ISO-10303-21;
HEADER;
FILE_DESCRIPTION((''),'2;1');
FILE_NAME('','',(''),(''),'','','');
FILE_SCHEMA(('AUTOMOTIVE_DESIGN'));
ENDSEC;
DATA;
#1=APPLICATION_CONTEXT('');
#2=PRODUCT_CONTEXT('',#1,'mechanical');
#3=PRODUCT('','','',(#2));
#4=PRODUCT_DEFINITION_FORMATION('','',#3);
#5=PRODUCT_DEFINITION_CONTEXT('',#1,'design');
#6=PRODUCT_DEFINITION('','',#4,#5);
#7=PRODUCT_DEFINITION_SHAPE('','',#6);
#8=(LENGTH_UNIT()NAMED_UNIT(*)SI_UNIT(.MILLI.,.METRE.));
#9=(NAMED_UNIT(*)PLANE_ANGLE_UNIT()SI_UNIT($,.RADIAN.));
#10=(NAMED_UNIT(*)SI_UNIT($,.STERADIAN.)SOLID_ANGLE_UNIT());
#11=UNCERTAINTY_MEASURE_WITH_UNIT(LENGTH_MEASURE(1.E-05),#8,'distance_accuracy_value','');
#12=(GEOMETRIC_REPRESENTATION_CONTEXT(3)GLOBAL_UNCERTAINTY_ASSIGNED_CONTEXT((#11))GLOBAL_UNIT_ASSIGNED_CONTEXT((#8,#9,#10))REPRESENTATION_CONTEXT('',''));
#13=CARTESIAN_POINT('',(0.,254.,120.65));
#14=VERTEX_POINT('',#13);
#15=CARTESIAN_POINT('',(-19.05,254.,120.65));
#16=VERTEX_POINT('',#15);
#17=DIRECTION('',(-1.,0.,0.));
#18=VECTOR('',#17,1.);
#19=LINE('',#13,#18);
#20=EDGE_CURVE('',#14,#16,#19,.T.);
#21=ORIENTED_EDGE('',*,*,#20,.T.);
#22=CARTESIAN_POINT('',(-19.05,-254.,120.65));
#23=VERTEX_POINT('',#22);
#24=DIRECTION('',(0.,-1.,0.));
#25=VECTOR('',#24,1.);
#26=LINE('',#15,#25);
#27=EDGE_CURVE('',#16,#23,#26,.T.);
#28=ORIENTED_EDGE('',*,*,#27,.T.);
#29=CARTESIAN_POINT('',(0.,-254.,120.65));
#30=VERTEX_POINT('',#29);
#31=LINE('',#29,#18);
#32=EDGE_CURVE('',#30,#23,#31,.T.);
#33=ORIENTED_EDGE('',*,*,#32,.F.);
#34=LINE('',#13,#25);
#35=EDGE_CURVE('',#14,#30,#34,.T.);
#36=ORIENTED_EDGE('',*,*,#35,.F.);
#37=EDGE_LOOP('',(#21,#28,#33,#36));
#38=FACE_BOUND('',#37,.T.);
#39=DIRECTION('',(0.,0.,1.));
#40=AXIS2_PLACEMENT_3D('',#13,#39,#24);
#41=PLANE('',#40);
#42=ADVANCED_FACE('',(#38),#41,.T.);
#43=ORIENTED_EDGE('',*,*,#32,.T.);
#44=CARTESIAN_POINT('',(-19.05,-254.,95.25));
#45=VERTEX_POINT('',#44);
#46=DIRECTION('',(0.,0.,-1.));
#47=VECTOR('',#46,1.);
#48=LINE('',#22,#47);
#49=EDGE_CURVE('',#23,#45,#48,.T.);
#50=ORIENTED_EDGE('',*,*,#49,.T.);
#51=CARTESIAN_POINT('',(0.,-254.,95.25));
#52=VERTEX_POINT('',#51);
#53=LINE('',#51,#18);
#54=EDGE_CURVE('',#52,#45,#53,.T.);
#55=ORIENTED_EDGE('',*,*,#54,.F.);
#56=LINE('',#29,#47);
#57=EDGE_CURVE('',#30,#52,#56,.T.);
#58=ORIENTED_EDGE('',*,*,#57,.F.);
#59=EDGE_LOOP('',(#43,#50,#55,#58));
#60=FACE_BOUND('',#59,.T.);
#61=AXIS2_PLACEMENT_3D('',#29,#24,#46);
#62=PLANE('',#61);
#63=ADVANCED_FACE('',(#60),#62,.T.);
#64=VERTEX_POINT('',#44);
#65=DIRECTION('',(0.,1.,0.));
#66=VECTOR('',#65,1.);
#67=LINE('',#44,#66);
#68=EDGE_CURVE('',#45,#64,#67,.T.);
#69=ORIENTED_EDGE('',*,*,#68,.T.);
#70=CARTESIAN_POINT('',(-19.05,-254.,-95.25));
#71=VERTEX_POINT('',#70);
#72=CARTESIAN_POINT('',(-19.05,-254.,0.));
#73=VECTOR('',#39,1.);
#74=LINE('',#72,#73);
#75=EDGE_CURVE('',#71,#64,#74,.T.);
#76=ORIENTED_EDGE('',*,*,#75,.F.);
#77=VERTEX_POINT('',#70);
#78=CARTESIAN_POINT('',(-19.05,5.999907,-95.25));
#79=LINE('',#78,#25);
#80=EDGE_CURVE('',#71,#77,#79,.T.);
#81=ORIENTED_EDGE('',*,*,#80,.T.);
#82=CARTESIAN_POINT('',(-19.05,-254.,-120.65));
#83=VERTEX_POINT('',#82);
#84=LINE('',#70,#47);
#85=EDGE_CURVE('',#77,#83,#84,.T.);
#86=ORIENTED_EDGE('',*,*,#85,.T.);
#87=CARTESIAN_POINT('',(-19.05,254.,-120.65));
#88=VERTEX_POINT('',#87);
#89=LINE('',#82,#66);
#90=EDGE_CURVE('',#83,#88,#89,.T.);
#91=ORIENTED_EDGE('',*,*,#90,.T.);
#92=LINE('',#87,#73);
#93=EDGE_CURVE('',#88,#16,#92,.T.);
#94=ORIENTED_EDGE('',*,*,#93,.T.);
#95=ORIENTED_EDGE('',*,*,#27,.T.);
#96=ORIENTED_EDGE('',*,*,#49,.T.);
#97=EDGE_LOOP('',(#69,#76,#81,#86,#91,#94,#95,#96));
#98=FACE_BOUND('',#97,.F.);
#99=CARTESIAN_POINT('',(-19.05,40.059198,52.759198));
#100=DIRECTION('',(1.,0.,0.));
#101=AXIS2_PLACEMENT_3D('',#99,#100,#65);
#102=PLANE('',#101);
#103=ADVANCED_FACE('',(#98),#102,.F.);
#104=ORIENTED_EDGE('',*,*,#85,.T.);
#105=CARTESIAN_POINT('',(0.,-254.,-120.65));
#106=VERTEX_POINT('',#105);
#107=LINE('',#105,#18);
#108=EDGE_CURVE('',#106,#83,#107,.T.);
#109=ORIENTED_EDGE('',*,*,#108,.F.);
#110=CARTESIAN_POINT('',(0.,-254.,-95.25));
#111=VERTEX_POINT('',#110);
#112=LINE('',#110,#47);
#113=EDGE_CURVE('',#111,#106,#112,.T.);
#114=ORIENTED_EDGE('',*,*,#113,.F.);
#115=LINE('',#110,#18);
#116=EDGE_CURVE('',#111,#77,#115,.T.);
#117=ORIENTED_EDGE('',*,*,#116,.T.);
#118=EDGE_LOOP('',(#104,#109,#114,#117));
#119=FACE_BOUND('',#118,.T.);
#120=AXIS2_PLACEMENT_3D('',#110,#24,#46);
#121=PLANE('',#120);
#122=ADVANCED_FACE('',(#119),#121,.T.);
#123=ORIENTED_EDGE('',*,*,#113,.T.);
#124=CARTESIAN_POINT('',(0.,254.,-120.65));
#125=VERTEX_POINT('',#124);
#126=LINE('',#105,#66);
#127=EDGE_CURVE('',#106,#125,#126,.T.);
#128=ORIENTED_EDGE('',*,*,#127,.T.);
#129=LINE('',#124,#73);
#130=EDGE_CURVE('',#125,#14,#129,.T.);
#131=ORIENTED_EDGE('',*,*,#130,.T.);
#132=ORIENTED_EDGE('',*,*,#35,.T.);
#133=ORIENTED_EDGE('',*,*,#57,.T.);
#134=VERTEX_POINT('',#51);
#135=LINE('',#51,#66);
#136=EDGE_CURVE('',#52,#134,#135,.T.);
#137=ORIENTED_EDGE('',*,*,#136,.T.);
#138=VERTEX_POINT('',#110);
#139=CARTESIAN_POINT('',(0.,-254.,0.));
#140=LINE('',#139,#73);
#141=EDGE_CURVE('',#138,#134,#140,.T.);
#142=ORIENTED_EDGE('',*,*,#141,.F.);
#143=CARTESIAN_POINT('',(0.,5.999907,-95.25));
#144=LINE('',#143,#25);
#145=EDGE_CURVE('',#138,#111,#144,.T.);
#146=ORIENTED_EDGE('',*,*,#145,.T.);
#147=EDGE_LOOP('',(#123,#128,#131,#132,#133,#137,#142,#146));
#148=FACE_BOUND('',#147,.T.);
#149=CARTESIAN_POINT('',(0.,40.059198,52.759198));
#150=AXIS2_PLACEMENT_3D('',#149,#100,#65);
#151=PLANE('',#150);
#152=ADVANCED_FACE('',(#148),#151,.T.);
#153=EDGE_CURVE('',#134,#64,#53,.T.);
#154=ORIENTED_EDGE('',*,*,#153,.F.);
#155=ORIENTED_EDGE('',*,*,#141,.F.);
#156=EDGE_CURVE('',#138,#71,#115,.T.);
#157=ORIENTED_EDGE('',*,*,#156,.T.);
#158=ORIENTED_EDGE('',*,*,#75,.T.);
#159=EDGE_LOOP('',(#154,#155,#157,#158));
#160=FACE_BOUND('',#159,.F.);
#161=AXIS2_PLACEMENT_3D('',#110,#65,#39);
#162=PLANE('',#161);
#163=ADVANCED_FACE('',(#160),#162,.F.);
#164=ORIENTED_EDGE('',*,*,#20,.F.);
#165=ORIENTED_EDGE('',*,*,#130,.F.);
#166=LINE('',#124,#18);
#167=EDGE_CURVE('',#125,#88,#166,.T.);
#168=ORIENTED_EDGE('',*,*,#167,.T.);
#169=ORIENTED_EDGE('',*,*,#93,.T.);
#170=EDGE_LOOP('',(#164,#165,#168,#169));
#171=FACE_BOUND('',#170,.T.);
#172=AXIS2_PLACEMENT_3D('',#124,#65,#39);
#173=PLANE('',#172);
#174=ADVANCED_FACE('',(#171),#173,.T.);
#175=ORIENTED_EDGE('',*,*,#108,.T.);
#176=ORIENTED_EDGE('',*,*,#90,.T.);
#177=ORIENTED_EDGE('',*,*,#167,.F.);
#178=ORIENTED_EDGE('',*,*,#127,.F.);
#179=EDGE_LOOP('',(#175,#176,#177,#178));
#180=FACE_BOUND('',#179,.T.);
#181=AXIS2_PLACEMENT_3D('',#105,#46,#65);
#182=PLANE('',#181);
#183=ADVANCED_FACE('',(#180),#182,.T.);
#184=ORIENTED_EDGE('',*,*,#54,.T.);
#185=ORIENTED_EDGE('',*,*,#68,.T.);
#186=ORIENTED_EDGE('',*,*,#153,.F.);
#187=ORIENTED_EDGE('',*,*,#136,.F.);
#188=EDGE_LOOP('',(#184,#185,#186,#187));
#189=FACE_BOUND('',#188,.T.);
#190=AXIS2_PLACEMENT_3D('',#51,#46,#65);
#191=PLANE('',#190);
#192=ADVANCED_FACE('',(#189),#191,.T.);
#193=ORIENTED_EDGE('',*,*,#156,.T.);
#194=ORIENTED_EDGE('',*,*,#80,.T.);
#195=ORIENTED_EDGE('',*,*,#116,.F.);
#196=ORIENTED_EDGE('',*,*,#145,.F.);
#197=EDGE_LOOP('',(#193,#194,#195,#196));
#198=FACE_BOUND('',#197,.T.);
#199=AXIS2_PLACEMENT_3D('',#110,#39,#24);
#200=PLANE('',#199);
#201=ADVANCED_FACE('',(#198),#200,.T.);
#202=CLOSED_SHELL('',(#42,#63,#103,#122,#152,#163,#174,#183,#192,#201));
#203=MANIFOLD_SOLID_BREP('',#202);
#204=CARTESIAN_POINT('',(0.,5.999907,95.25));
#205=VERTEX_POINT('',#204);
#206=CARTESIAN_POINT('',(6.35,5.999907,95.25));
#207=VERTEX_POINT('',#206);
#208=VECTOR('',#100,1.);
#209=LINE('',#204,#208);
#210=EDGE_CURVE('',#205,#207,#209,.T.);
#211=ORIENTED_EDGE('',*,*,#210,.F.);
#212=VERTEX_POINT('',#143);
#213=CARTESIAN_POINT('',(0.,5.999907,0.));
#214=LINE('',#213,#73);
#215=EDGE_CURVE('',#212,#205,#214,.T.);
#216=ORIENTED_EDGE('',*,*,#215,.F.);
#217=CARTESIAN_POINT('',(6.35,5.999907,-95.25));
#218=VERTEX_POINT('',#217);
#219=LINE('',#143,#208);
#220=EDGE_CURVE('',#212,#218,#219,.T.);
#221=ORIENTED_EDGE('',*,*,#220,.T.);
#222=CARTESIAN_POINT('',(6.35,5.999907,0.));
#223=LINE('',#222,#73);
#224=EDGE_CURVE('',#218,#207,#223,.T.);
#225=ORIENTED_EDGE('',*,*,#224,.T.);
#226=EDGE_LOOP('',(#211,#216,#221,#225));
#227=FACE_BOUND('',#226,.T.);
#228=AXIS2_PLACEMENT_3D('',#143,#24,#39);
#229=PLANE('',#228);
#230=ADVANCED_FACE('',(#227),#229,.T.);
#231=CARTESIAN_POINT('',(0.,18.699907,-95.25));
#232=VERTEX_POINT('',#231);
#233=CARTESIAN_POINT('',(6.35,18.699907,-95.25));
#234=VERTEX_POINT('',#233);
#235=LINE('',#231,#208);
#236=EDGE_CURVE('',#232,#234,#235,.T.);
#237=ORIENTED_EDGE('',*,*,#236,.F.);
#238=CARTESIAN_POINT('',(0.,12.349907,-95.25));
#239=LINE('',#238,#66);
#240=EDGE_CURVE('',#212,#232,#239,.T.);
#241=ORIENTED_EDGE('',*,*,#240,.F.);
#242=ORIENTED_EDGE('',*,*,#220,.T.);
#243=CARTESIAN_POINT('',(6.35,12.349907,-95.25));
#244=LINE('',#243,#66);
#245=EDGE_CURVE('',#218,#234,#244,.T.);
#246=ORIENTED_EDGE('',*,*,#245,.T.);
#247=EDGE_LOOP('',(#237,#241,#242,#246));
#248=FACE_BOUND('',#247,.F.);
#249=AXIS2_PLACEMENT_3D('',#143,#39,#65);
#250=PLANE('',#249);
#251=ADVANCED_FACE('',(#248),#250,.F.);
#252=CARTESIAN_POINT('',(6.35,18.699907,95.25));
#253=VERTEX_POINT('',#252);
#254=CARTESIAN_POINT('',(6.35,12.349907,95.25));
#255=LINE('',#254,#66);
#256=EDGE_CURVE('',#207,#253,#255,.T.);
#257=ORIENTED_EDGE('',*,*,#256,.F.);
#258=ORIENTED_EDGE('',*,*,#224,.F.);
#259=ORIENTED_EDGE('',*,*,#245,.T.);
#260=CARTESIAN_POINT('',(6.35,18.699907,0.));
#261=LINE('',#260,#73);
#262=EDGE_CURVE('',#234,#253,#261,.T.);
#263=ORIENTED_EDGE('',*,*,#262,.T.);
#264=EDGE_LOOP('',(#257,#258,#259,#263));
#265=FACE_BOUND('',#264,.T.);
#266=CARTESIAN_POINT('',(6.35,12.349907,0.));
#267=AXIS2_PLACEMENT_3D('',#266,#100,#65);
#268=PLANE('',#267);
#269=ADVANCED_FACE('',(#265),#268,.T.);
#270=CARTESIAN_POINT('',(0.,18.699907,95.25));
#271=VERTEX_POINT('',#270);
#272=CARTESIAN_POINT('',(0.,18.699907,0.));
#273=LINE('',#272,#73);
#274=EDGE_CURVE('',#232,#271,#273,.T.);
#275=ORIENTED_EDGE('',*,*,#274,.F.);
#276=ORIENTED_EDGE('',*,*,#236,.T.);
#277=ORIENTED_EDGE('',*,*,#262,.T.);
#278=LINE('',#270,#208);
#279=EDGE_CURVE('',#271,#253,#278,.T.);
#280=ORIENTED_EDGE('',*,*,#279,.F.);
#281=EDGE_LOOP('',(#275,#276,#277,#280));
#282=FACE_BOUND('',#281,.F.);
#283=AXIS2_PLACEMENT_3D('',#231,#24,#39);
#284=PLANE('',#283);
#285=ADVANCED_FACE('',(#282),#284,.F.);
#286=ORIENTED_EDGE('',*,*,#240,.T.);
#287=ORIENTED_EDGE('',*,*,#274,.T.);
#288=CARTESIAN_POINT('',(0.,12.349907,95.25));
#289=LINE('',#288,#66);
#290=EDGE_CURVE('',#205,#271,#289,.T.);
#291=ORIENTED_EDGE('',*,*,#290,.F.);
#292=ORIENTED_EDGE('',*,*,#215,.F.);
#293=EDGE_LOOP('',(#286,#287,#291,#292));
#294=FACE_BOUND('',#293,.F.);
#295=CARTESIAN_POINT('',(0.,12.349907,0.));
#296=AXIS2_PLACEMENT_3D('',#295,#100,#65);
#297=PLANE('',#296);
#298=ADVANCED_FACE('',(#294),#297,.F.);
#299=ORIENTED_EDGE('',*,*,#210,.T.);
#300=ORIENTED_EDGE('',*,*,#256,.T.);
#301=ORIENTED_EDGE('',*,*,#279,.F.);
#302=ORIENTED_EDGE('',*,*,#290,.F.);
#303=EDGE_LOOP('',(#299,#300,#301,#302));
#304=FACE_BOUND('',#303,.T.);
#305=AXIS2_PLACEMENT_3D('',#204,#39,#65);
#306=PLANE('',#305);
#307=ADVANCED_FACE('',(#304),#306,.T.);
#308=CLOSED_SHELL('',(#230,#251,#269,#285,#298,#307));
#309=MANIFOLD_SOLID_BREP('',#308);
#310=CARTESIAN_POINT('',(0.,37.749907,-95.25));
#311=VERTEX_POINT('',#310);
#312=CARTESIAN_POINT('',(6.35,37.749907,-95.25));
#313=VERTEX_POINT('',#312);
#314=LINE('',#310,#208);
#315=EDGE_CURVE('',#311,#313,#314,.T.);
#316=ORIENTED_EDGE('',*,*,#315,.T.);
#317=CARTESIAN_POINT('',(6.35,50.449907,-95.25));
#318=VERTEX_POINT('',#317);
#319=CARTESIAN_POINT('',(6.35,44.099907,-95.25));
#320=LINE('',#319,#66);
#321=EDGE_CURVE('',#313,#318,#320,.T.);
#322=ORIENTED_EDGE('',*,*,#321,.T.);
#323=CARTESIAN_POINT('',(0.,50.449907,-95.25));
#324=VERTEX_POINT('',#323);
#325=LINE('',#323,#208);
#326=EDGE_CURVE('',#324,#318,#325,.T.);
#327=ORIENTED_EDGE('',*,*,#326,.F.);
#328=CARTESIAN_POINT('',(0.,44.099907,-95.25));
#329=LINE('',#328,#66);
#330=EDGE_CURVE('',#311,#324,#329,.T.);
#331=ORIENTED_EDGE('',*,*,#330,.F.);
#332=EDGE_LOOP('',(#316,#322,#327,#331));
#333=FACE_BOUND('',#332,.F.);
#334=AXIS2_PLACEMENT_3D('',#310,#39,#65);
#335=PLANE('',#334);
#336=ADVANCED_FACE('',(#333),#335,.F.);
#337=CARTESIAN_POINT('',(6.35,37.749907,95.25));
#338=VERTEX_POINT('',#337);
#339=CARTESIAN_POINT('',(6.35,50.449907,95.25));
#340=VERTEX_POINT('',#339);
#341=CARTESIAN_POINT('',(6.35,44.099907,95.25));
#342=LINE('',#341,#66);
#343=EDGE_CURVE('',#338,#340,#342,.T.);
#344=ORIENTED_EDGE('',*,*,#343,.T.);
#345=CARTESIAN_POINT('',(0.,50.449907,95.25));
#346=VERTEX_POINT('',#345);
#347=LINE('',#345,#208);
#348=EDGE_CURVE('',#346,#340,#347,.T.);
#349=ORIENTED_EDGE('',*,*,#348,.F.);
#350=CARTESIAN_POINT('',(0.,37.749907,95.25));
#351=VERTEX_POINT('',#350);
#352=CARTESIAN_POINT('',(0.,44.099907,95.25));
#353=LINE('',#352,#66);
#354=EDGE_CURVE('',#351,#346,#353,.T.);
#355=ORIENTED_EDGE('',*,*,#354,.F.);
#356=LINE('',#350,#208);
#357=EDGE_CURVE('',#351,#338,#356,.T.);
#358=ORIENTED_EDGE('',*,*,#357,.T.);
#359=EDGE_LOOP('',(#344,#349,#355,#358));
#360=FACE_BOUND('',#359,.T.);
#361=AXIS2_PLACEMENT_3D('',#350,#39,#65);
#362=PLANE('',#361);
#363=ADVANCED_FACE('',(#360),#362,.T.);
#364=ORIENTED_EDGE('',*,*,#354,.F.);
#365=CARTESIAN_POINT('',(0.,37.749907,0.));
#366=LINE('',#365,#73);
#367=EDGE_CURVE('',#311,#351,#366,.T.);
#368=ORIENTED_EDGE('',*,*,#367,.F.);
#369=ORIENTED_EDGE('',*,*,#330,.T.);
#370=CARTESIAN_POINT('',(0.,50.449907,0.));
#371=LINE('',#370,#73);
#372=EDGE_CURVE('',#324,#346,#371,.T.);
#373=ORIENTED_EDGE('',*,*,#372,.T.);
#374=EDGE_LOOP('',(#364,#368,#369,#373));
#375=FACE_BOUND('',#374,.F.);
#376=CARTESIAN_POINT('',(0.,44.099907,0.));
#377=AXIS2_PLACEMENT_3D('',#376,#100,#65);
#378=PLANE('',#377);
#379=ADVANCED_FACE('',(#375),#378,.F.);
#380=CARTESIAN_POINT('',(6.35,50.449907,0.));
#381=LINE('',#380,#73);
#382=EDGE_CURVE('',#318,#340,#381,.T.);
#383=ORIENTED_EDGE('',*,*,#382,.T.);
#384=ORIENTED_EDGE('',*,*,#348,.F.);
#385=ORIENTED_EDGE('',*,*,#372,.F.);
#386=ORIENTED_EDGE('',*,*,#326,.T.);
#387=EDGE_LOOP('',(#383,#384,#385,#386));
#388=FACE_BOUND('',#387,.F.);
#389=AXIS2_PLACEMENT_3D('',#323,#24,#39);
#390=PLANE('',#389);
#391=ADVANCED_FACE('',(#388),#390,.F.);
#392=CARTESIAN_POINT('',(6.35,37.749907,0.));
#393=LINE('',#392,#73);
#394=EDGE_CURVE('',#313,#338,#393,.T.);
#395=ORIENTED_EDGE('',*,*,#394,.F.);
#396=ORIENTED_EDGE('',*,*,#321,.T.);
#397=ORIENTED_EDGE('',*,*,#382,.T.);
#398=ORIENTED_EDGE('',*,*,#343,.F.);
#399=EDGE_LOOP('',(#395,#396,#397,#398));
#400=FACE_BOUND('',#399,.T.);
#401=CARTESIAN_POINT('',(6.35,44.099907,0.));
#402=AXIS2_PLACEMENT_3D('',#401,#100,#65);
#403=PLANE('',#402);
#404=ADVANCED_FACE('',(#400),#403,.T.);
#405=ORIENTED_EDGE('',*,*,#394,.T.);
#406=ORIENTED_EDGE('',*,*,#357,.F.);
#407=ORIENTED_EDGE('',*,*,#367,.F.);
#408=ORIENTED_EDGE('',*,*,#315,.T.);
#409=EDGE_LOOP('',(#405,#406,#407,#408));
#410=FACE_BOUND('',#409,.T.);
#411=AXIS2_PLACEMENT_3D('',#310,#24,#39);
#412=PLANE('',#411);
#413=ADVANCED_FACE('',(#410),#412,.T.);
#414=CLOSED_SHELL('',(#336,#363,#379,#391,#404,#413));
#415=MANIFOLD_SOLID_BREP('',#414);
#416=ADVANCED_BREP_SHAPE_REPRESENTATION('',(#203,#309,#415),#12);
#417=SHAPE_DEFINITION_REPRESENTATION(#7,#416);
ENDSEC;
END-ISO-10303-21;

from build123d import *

# Parameters (mm, degrees)
F0_W     = 12.7
F0_H     = 190.5
F1_DEPTH = 6.35
F0_W_2   = 259.999907
F0_W_3   = 19.05
F2_DEPTH = 19.05


with BuildPart() as f1:
    # F0 (on Right) → F1 (new body)
    with BuildSketch(Plane.YZ):
        with Locations((12.349907, 0)):
            Rectangle(F0_W, F0_H)
        with Locations((44.099907, 0)):
            Rectangle(F0_W, F0_H)
    extrude(amount=F1_DEPTH)


with BuildPart() as f2:
    # F0 (on Right) → F2 (new body)
    with BuildSketch(Plane.YZ):
        Polygon((50.449907, -95.25), (254, -95.25), (254, 120.65), (-254, 120.65), (-254, 95.25), (5.999907, 95.25), (18.699907, 95.25), (37.749907, 95.25), (50.449907, 95.25), align=None)
        with Locations((-124.000046, 0)):
            Rectangle(F0_W_2, F0_H)
        Polygon((-254, -120.65), (254, -120.65), (254, -95.25), (50.449907, -95.25), (37.749907, -95.25), (18.699907, -95.25), (5.999907, -95.25), (-254, -95.25), align=None)
        with Locations((12.349907, 0)):
            Rectangle(F0_W, F0_H)
        with Locations((28.224907, 0)):
            Rectangle(F0_W_3, F0_H)
        with Locations((44.099907, 0)):
            Rectangle(F0_W, F0_H)
    extrude(amount=-F2_DEPTH)


solid = Compound([f1.part, f2.part])
